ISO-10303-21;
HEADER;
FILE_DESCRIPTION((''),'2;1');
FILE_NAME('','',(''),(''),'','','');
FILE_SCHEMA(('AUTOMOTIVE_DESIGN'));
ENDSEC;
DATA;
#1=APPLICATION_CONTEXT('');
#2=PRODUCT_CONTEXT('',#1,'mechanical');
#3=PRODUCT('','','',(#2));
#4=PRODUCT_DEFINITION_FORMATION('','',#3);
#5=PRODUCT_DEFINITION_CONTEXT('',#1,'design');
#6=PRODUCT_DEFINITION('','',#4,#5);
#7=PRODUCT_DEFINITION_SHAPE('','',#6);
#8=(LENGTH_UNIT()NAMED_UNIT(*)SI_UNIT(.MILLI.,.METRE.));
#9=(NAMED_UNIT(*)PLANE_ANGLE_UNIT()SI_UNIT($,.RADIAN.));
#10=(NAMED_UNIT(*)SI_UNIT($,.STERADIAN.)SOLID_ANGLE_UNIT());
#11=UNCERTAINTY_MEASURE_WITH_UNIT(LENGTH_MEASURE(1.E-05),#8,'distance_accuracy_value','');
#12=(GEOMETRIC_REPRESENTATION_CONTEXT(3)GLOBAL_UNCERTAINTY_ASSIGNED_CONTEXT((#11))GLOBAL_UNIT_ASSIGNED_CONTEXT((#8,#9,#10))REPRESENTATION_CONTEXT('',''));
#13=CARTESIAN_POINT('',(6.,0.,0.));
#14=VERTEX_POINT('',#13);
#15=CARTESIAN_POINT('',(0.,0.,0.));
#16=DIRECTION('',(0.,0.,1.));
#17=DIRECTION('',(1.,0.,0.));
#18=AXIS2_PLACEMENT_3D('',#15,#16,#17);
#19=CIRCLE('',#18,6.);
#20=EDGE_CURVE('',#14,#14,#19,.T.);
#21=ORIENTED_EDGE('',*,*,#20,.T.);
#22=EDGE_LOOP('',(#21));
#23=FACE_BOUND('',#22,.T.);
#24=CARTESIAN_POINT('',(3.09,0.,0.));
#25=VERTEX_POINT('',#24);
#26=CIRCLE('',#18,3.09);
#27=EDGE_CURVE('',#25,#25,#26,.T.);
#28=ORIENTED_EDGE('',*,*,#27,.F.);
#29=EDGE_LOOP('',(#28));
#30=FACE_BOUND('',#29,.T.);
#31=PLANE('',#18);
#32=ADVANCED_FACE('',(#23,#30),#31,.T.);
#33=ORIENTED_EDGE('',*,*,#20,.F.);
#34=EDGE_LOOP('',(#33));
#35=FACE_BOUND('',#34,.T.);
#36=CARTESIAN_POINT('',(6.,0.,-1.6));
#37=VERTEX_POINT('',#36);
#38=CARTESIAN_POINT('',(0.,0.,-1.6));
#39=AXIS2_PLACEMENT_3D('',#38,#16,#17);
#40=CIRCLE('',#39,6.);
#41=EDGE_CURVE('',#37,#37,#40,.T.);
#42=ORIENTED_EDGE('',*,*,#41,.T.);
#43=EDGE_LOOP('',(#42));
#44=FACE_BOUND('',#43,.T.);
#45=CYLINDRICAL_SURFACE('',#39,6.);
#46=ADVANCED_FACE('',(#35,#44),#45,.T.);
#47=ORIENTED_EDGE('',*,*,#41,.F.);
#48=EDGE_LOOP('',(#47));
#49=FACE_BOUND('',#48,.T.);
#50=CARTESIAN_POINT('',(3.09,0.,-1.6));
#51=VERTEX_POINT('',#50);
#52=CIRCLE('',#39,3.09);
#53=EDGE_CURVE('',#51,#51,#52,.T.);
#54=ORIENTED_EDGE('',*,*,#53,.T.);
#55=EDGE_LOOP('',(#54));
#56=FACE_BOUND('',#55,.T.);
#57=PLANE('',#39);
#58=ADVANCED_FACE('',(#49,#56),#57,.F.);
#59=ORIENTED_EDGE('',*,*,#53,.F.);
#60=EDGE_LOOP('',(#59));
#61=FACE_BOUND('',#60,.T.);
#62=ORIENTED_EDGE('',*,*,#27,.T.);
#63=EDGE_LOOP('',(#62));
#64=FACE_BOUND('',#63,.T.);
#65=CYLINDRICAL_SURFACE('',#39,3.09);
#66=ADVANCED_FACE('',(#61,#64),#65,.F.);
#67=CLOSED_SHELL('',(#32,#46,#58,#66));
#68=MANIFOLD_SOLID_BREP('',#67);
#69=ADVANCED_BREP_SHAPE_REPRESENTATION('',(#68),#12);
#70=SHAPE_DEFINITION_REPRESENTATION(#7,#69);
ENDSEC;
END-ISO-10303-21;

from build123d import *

# Parameters (mm, degrees)
SKETCH1_R          = 6
SKETCH1_R_2        = 3.09
BASE_EXTRUDE_DEPTH = 1.6


with BuildPart() as part:
    # Sketch1 → Base-Extrude (new body)
    with BuildSketch(Plane.XY):
        Circle(SKETCH1_R)
        Circle(SKETCH1_R_2, mode=Mode.SUBTRACT)
    extrude(amount=-BASE_EXTRUDE_DEPTH)


solid = part.part
